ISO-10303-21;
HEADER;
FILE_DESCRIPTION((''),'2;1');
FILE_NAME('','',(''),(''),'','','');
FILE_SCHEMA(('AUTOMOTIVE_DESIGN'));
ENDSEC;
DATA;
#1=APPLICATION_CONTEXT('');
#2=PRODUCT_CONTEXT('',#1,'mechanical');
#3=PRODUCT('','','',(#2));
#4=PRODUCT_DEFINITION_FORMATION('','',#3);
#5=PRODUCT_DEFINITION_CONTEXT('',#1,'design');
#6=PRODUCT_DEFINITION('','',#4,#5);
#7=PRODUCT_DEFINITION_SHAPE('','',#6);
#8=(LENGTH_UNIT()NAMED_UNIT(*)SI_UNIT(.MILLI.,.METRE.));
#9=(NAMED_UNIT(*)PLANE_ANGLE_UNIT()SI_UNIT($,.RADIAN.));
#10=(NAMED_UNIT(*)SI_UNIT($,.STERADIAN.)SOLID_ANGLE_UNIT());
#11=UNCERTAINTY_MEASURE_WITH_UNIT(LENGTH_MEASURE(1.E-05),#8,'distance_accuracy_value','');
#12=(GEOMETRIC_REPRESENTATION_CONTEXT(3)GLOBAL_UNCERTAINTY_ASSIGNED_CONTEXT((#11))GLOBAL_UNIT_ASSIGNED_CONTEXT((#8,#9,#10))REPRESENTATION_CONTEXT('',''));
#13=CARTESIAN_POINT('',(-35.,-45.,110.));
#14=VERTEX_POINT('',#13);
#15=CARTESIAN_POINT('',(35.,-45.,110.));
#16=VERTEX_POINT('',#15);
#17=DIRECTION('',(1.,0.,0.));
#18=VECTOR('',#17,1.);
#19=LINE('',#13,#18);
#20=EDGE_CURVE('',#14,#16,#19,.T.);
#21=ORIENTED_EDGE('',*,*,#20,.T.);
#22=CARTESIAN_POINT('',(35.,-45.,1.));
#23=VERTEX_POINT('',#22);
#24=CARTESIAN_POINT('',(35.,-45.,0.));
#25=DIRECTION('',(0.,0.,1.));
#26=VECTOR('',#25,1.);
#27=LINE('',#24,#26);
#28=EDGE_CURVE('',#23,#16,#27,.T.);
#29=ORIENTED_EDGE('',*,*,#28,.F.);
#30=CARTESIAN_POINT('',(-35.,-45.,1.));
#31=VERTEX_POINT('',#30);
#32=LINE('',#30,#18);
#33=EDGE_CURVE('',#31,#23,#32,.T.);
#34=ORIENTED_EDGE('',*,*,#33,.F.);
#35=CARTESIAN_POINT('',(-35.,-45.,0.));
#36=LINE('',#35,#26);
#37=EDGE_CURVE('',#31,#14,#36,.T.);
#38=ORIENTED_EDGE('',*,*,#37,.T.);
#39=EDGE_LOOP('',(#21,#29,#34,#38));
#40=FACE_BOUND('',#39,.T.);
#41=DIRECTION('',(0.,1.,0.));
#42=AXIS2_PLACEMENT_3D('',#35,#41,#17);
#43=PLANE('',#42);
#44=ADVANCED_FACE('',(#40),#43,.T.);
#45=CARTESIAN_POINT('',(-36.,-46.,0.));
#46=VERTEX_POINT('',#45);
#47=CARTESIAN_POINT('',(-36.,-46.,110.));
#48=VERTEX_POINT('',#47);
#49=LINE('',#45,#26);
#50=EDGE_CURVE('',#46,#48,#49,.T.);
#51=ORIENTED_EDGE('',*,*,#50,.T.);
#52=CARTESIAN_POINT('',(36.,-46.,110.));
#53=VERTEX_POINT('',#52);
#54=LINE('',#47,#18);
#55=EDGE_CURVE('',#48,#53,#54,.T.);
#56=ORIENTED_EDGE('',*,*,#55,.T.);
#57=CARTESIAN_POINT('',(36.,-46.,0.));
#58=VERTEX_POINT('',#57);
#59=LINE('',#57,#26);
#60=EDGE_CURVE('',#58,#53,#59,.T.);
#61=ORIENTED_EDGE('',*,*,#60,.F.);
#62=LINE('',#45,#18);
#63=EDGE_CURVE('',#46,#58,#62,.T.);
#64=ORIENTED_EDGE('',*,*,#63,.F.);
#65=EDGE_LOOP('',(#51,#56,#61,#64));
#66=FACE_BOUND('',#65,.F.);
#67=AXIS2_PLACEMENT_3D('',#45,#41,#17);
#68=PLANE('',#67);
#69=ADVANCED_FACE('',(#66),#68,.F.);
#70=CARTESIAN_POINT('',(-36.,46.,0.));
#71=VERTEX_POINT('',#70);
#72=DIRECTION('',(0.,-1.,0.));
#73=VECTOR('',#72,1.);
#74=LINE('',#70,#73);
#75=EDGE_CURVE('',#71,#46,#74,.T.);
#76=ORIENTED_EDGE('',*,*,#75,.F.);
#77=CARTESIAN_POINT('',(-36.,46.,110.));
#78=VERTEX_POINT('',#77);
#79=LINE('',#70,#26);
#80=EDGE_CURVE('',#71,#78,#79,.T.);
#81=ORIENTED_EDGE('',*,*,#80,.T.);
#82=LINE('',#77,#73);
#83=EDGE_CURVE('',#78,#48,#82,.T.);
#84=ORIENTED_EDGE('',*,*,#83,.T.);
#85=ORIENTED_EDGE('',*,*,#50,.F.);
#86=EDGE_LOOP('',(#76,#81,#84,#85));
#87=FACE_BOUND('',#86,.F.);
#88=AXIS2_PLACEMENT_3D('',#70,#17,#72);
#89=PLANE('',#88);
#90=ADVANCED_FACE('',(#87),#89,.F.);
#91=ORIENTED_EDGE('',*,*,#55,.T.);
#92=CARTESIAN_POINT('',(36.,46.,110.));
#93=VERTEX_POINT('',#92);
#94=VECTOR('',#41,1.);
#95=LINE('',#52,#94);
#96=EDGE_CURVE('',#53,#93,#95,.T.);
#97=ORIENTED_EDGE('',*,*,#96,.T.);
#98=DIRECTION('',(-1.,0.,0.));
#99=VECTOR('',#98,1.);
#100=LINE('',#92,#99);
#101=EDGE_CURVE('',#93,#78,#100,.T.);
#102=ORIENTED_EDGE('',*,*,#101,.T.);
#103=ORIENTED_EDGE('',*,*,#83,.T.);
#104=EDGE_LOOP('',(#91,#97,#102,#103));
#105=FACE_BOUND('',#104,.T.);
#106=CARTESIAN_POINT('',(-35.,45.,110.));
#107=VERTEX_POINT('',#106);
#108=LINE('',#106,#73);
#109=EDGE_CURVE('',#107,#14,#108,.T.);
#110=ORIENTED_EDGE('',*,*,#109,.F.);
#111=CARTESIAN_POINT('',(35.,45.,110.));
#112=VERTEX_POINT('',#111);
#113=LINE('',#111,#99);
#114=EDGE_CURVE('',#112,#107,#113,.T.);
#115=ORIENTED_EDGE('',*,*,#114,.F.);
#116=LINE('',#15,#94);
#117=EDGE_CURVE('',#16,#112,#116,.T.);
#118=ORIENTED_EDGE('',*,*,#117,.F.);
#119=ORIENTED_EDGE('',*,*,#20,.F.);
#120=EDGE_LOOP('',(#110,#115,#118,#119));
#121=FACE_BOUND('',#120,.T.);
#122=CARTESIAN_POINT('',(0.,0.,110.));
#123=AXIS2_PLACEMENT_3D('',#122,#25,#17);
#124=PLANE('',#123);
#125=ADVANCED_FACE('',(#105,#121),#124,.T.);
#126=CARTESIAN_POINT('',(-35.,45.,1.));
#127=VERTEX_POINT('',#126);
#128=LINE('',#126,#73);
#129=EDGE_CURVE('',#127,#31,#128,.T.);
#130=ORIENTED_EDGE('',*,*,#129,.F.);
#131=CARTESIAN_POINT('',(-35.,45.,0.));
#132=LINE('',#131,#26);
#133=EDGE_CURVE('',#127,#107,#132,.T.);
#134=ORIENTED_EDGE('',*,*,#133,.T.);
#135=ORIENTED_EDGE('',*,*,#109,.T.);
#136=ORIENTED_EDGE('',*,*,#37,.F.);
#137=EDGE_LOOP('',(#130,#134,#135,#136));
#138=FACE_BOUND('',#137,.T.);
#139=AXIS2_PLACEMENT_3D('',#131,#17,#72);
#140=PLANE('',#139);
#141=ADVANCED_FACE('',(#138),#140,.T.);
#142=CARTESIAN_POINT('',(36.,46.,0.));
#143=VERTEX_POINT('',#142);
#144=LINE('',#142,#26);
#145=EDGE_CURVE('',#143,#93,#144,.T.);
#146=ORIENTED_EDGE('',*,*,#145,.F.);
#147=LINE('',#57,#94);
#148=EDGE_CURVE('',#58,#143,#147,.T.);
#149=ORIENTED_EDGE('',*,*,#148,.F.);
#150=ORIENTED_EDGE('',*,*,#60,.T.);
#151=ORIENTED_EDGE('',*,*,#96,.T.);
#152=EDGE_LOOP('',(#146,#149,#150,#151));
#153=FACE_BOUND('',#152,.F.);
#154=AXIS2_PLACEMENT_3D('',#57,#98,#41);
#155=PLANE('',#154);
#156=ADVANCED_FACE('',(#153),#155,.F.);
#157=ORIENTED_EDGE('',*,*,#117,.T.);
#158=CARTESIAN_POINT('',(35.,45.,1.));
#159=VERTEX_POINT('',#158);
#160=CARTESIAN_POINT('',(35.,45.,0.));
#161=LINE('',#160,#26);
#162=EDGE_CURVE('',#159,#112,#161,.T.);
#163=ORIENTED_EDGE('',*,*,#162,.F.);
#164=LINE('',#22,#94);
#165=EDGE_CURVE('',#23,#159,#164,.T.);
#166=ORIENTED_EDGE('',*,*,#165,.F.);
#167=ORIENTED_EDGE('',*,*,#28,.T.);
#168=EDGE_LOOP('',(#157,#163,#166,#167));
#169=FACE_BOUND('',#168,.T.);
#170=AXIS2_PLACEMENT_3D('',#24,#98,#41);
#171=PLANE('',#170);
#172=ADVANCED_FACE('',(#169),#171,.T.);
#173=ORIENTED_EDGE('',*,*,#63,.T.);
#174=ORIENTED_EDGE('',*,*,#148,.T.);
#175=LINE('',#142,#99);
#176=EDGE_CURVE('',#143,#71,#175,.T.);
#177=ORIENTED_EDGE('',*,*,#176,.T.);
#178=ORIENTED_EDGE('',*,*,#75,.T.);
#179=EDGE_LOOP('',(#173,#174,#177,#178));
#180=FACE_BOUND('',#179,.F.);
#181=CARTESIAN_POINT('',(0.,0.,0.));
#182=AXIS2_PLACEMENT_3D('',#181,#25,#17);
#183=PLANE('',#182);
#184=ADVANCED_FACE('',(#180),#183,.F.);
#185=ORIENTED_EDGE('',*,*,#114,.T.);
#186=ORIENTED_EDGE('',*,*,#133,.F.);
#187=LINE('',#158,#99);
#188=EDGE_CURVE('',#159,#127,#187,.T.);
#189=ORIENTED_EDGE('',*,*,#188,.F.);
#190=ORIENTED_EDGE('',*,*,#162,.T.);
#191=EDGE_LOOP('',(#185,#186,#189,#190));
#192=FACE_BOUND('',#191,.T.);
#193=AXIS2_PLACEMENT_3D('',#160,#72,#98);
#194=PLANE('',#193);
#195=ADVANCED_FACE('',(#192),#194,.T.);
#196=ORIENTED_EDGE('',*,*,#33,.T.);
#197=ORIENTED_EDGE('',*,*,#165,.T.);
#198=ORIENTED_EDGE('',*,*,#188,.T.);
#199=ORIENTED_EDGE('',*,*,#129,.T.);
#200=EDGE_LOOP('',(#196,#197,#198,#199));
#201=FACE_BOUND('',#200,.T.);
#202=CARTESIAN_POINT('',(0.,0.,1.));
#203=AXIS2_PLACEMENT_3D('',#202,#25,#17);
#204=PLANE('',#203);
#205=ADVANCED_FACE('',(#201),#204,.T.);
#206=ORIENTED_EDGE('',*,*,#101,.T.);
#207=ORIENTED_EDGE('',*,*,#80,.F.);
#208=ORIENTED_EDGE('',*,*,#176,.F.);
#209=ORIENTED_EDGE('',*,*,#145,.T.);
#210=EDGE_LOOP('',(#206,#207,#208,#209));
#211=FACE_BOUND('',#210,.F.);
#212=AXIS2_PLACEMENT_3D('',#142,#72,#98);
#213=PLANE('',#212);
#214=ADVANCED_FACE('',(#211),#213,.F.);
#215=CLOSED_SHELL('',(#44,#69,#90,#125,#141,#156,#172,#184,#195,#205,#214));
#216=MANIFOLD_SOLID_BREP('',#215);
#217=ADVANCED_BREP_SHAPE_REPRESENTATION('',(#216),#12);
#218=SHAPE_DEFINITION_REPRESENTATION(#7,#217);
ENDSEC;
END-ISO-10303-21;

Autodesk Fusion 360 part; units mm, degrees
sketch "Sketch1" plane through (0, 0, 0) normal (0, 0, 1) x (1, 0, 0)
  line L0 (35, 45) -> (-35, 45)
  line L1 (-35, 45) -> (-35, -45)
  line L2 (-35, -45) -> (35, -45)
  line L3 (35, -45) -> (35, 45)
  line L4 (35, 45) -> (-35, -45) construction
  line L5 (-35, 45) -> (35, -45) construction
  line L6 (36, 46) -> (-36, 46)
  line L7 (-36, 46) -> (-36, -46)
  line L8 (-36, -46) -> (36, -46)
  line L9 (36, -46) -> (36, 46)
  line L10 (36, 46) -> (-36, -46) construction
  line L11 (-36, 46) -> (36, -46) construction
  dimension "d1" = 70
  dimension "d2" = 90
  dimension "d3" = 72
  dimension "d4" = 92
extrude "Extrude1" add sketch "Sketch1" along normal blind 1 contours L0 L1 L2 L3
extrude "Extrude2" add sketch "Sketch1" along normal blind 110
